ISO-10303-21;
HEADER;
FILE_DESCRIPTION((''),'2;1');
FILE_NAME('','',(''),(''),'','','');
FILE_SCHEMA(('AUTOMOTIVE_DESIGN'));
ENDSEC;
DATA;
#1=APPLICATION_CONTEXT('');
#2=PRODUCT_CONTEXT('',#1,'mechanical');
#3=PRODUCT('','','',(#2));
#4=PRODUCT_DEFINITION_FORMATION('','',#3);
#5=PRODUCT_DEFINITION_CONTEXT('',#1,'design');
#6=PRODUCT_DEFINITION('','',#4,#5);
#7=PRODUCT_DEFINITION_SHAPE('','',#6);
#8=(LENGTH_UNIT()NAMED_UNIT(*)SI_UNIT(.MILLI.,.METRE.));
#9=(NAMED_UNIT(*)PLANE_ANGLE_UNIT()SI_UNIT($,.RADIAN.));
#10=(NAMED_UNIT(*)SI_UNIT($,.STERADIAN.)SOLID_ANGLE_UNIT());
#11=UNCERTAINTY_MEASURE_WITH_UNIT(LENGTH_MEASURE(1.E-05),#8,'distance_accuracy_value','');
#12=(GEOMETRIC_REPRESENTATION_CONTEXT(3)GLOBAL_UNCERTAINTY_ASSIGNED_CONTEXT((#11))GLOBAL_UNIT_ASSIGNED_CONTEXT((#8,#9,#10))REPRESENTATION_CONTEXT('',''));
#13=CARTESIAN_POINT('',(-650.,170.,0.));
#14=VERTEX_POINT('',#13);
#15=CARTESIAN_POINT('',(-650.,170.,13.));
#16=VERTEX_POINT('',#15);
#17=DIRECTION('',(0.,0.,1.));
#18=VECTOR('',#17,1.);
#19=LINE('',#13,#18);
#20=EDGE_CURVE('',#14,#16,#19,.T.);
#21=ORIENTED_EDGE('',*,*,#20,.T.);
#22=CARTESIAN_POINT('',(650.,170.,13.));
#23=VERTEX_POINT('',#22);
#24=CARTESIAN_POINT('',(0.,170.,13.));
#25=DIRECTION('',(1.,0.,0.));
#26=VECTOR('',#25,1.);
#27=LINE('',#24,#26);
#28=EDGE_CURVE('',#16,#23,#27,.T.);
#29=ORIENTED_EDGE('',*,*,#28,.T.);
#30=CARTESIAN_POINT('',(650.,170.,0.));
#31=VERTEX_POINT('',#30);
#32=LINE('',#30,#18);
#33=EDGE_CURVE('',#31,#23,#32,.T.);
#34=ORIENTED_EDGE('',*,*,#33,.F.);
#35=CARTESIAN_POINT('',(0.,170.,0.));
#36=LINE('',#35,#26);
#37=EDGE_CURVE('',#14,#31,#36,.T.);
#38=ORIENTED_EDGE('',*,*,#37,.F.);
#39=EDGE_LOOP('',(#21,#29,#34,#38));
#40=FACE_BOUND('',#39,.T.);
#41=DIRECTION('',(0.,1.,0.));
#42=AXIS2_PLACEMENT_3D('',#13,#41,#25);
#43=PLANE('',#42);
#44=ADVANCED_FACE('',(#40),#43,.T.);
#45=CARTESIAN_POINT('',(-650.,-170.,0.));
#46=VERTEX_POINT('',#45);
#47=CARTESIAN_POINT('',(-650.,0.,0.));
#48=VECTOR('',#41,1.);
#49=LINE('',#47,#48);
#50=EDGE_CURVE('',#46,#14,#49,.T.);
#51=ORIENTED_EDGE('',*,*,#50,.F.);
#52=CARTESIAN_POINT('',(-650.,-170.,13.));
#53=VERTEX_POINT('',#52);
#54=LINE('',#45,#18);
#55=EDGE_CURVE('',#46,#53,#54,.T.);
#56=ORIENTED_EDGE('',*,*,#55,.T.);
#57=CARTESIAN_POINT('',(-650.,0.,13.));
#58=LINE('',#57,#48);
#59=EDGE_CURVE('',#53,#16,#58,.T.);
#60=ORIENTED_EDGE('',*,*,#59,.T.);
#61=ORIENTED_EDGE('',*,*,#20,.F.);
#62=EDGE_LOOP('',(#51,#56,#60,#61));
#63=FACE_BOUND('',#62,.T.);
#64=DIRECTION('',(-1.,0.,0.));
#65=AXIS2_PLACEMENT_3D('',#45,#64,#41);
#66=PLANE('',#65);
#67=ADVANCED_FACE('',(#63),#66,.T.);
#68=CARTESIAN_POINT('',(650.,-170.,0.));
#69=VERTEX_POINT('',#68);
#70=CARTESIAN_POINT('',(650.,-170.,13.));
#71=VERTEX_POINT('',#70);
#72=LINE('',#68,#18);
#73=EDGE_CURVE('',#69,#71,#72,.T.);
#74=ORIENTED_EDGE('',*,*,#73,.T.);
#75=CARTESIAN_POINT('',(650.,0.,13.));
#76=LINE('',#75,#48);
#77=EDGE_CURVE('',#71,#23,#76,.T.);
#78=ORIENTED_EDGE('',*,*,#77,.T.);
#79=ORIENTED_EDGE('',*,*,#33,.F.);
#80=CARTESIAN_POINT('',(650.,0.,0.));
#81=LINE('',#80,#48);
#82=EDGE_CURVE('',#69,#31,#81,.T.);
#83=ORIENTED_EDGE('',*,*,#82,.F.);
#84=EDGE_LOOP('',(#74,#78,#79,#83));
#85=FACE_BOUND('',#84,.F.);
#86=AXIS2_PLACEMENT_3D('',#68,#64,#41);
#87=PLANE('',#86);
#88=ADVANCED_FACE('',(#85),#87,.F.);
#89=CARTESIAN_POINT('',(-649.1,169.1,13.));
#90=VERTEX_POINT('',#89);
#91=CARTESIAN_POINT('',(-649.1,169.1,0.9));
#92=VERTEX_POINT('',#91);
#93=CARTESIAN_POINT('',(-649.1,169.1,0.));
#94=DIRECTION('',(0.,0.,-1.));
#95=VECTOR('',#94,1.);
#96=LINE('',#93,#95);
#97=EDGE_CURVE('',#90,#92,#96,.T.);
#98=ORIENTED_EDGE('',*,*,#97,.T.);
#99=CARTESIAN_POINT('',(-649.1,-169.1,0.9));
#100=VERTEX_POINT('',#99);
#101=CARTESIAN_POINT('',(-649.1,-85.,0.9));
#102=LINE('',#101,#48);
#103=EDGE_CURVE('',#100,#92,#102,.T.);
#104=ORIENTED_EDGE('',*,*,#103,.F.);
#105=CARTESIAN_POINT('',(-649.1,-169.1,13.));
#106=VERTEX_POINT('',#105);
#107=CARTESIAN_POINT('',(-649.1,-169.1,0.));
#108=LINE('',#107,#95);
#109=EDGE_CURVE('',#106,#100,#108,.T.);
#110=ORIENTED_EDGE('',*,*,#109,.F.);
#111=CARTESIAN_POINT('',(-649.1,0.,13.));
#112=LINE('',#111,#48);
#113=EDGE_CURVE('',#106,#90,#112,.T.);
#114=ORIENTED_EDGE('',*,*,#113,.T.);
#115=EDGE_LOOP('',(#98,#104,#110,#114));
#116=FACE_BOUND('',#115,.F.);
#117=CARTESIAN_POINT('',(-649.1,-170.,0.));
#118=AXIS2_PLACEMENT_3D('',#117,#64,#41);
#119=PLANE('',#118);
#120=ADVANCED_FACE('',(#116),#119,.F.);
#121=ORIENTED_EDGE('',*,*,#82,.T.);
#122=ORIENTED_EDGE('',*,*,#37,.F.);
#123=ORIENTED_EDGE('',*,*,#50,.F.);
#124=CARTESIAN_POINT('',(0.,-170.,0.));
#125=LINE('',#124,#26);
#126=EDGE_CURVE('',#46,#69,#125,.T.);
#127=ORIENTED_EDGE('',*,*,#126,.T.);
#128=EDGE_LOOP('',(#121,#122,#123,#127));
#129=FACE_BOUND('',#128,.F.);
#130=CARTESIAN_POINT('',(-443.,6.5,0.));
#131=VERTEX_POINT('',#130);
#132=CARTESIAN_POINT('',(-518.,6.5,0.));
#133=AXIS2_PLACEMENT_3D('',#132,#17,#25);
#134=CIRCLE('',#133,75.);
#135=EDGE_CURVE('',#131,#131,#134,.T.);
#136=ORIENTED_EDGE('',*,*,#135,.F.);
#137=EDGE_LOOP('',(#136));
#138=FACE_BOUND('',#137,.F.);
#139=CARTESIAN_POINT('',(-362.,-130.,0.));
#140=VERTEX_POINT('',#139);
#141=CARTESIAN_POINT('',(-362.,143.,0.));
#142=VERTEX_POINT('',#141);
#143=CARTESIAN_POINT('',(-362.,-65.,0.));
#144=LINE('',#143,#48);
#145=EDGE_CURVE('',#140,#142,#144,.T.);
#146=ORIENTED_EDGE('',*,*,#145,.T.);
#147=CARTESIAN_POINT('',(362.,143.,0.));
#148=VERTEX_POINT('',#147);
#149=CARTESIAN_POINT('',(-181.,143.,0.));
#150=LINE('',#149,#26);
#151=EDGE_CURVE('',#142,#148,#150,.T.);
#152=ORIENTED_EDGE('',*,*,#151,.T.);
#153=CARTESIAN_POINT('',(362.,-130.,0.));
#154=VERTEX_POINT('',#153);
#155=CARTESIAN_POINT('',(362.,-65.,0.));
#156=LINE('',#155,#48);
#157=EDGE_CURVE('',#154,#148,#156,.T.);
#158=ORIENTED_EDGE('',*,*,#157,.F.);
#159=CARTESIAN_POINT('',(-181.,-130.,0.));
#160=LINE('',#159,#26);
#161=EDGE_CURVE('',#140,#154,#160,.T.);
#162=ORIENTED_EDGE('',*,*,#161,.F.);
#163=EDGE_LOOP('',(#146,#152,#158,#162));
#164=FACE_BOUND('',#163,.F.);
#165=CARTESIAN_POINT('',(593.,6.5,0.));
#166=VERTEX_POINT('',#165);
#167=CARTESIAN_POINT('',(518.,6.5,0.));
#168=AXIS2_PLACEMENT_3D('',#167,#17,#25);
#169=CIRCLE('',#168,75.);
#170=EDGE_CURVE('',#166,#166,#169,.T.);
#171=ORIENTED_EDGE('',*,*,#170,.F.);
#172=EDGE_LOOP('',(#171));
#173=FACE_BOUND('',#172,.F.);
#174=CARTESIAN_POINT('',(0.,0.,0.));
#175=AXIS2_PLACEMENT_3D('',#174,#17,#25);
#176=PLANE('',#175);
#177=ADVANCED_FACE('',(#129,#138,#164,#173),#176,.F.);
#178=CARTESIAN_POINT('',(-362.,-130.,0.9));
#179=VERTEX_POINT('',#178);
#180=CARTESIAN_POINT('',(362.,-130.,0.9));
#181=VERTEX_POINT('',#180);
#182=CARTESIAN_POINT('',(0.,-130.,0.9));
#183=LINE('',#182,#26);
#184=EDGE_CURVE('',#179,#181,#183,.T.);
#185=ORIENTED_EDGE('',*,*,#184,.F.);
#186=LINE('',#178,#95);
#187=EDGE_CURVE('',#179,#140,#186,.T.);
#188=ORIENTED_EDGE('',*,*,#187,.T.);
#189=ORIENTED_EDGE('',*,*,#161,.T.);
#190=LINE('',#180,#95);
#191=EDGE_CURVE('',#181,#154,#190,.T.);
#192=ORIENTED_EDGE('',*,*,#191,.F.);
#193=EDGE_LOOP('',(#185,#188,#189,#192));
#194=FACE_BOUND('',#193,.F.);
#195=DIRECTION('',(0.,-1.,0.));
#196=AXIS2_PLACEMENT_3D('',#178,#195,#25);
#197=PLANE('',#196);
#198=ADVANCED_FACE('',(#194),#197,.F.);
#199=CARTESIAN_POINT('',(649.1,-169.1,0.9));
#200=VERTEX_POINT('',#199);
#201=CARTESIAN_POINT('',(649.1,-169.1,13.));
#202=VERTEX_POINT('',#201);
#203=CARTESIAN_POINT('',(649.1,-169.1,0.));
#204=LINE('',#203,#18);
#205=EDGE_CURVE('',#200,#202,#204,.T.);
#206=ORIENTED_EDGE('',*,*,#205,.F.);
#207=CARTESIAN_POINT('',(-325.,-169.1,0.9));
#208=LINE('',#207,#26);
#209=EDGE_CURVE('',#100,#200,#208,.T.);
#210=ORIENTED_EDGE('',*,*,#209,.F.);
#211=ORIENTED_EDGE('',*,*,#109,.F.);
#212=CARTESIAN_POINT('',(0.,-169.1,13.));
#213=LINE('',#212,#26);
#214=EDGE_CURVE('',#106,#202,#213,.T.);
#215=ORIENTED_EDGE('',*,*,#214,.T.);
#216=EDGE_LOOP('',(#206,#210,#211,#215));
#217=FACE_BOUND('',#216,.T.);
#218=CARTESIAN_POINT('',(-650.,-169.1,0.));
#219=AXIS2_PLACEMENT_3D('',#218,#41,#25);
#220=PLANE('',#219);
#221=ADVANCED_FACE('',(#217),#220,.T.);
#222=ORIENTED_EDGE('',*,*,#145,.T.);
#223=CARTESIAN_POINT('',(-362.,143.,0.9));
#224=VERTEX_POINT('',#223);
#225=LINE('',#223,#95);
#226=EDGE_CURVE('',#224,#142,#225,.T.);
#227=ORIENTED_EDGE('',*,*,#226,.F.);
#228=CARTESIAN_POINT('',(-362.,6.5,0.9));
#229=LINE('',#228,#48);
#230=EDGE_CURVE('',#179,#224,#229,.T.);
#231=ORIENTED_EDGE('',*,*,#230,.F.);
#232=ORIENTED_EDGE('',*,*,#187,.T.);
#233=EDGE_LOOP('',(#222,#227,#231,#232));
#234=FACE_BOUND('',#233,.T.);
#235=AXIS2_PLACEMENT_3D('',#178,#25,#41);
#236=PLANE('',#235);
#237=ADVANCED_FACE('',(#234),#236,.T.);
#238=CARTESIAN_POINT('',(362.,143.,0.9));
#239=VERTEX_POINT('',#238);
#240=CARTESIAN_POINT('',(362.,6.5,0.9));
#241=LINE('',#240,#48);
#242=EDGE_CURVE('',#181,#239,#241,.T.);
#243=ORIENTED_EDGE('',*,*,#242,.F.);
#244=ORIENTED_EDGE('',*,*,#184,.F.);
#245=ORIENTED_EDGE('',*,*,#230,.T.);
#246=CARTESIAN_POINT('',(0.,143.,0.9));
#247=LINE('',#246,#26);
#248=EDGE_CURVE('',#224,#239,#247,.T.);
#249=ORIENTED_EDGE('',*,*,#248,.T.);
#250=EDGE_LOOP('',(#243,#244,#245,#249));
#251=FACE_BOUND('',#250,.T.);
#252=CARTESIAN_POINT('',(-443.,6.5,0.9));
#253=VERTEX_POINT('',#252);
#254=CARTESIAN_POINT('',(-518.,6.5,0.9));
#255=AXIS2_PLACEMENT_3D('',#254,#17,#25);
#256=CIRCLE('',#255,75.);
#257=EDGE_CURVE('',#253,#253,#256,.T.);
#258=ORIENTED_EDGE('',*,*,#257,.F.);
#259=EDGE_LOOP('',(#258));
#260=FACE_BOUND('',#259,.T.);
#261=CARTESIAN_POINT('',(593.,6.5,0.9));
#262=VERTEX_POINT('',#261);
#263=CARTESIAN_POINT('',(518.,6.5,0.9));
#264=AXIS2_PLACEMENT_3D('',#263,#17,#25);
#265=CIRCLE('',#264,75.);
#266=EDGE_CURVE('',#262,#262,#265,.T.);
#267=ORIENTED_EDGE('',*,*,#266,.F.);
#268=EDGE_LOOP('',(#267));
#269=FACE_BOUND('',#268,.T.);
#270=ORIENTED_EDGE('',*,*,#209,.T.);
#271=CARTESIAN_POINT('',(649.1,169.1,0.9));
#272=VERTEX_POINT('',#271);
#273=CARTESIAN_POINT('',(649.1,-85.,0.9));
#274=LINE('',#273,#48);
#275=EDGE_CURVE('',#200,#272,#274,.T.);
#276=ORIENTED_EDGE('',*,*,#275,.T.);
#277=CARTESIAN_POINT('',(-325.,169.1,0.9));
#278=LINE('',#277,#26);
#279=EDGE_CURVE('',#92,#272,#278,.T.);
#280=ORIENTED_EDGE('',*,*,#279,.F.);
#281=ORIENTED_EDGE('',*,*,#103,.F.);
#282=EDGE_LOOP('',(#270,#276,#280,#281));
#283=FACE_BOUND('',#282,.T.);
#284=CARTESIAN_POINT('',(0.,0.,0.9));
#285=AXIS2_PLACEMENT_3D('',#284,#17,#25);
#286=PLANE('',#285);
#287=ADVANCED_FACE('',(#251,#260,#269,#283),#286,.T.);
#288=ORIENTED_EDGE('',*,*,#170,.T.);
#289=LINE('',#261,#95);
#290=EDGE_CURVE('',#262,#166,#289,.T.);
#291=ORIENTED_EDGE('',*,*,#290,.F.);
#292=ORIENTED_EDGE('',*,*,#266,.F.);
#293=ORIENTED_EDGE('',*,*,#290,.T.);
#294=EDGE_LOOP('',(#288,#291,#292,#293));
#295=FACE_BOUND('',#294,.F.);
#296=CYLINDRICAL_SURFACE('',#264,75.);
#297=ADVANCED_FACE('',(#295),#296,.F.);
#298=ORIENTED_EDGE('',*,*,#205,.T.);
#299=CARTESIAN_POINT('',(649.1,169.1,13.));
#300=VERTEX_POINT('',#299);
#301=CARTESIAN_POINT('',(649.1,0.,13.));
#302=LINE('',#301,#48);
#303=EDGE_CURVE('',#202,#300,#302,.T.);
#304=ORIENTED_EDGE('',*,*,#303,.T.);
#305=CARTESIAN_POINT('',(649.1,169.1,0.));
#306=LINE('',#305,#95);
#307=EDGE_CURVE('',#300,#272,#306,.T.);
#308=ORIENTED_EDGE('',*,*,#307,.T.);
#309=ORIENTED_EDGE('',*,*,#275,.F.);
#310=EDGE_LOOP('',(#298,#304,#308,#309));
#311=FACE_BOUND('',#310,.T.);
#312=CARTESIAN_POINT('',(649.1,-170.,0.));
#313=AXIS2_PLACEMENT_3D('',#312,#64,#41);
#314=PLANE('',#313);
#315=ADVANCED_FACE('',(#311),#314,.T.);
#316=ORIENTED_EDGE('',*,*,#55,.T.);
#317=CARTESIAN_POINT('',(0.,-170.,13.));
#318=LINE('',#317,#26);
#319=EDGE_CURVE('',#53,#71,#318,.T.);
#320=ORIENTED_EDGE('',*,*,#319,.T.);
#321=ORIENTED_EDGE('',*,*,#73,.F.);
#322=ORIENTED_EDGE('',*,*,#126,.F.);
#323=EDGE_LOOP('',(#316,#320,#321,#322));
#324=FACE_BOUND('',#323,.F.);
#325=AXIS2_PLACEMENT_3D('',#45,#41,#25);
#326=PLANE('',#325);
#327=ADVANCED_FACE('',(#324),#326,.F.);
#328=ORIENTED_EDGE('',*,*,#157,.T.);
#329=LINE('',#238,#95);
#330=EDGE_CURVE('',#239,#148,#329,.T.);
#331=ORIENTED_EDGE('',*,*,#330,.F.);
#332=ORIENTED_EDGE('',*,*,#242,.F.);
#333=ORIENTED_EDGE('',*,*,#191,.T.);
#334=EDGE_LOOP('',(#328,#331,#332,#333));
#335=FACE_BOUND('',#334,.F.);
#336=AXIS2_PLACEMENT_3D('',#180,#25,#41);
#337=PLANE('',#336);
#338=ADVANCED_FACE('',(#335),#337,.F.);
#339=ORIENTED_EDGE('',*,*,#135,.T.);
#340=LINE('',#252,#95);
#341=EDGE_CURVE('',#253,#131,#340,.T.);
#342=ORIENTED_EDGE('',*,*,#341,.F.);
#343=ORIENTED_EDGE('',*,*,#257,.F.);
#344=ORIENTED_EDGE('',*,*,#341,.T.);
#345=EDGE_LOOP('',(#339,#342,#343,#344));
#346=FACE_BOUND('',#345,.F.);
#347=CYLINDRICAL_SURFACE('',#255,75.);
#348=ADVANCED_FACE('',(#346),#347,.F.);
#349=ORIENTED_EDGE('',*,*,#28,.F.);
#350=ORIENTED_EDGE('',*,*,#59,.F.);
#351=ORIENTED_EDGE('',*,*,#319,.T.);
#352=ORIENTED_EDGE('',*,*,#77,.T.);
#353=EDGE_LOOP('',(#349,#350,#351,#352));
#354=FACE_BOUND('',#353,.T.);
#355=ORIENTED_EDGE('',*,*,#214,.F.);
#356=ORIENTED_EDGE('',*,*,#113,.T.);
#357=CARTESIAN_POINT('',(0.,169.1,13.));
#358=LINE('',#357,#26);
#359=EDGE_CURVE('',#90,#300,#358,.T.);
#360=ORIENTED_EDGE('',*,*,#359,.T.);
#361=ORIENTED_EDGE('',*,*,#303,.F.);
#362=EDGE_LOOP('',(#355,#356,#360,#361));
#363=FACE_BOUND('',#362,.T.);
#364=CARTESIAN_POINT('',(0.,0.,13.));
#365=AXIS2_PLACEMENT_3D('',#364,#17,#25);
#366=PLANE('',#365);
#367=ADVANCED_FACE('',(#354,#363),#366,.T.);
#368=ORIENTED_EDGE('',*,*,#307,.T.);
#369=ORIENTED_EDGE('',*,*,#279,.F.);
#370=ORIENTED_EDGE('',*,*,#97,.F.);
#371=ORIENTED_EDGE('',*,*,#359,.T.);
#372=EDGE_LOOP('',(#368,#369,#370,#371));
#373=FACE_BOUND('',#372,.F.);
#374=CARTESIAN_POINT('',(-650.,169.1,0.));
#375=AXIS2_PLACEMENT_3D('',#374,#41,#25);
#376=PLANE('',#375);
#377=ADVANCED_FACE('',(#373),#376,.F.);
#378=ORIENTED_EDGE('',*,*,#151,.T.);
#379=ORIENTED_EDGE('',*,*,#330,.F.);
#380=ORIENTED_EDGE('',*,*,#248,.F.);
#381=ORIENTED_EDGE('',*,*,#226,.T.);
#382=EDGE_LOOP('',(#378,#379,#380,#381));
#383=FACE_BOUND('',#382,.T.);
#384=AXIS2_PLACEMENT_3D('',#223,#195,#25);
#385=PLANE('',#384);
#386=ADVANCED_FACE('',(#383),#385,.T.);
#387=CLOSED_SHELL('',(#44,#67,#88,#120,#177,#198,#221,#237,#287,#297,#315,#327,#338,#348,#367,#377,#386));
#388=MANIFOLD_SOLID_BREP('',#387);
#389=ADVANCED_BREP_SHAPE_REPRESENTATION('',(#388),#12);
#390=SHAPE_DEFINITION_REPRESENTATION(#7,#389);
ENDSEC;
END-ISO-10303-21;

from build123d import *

# Parameters (mm, degrees)
F0_W          = 1300
F0_H          = 340
F1_DEPTH      = 13
F2_T          = -0.9
F3_W          = 724
F3_H          = 273
F4_DEPTH      = 0.901
F4_DEPTH_BACK = 12.101
F5_R          = 75
F6_DEPTH      = 12.101
F6_DEPTH_BACK = 0.901


with BuildPart() as f1:
    # F0 (on Top) → F1 (new body)
    with BuildSketch(Plane.XY):
        Rectangle(F0_W, F0_H)
    extrude(amount=F1_DEPTH)

    # F2
    f2_openings = [f1.faces().sort_by_distance(p)[0] for p in [
        (0, 0, 13),
    ]]
    offset(amount=F2_T, openings=f2_openings)

    # F3 (on face) → F4 (cut, two sides)
    with BuildSketch(Plane.XY.offset(0.9)) as f4_sk:
        with Locations((0, 6.5)):
            Rectangle(F3_W, F3_H)
    extrude(amount=-F4_DEPTH, mode=Mode.SUBTRACT)
    extrude(f4_sk.sketch, amount=-F4_DEPTH_BACK, mode=Mode.SUBTRACT)

    # F5 (on face) → F6 (cut, two sides)
    with BuildSketch(Plane.XY.offset(0.9)) as f6_sk:
        with Locations((-518, 6.5)):
            Circle(F5_R)
        with Locations((518, 6.5)):
            Circle(F5_R)
    extrude(amount=F6_DEPTH, mode=Mode.SUBTRACT)
    extrude(f6_sk.sketch, amount=-F6_DEPTH_BACK, mode=Mode.SUBTRACT)


solid = f1.part
